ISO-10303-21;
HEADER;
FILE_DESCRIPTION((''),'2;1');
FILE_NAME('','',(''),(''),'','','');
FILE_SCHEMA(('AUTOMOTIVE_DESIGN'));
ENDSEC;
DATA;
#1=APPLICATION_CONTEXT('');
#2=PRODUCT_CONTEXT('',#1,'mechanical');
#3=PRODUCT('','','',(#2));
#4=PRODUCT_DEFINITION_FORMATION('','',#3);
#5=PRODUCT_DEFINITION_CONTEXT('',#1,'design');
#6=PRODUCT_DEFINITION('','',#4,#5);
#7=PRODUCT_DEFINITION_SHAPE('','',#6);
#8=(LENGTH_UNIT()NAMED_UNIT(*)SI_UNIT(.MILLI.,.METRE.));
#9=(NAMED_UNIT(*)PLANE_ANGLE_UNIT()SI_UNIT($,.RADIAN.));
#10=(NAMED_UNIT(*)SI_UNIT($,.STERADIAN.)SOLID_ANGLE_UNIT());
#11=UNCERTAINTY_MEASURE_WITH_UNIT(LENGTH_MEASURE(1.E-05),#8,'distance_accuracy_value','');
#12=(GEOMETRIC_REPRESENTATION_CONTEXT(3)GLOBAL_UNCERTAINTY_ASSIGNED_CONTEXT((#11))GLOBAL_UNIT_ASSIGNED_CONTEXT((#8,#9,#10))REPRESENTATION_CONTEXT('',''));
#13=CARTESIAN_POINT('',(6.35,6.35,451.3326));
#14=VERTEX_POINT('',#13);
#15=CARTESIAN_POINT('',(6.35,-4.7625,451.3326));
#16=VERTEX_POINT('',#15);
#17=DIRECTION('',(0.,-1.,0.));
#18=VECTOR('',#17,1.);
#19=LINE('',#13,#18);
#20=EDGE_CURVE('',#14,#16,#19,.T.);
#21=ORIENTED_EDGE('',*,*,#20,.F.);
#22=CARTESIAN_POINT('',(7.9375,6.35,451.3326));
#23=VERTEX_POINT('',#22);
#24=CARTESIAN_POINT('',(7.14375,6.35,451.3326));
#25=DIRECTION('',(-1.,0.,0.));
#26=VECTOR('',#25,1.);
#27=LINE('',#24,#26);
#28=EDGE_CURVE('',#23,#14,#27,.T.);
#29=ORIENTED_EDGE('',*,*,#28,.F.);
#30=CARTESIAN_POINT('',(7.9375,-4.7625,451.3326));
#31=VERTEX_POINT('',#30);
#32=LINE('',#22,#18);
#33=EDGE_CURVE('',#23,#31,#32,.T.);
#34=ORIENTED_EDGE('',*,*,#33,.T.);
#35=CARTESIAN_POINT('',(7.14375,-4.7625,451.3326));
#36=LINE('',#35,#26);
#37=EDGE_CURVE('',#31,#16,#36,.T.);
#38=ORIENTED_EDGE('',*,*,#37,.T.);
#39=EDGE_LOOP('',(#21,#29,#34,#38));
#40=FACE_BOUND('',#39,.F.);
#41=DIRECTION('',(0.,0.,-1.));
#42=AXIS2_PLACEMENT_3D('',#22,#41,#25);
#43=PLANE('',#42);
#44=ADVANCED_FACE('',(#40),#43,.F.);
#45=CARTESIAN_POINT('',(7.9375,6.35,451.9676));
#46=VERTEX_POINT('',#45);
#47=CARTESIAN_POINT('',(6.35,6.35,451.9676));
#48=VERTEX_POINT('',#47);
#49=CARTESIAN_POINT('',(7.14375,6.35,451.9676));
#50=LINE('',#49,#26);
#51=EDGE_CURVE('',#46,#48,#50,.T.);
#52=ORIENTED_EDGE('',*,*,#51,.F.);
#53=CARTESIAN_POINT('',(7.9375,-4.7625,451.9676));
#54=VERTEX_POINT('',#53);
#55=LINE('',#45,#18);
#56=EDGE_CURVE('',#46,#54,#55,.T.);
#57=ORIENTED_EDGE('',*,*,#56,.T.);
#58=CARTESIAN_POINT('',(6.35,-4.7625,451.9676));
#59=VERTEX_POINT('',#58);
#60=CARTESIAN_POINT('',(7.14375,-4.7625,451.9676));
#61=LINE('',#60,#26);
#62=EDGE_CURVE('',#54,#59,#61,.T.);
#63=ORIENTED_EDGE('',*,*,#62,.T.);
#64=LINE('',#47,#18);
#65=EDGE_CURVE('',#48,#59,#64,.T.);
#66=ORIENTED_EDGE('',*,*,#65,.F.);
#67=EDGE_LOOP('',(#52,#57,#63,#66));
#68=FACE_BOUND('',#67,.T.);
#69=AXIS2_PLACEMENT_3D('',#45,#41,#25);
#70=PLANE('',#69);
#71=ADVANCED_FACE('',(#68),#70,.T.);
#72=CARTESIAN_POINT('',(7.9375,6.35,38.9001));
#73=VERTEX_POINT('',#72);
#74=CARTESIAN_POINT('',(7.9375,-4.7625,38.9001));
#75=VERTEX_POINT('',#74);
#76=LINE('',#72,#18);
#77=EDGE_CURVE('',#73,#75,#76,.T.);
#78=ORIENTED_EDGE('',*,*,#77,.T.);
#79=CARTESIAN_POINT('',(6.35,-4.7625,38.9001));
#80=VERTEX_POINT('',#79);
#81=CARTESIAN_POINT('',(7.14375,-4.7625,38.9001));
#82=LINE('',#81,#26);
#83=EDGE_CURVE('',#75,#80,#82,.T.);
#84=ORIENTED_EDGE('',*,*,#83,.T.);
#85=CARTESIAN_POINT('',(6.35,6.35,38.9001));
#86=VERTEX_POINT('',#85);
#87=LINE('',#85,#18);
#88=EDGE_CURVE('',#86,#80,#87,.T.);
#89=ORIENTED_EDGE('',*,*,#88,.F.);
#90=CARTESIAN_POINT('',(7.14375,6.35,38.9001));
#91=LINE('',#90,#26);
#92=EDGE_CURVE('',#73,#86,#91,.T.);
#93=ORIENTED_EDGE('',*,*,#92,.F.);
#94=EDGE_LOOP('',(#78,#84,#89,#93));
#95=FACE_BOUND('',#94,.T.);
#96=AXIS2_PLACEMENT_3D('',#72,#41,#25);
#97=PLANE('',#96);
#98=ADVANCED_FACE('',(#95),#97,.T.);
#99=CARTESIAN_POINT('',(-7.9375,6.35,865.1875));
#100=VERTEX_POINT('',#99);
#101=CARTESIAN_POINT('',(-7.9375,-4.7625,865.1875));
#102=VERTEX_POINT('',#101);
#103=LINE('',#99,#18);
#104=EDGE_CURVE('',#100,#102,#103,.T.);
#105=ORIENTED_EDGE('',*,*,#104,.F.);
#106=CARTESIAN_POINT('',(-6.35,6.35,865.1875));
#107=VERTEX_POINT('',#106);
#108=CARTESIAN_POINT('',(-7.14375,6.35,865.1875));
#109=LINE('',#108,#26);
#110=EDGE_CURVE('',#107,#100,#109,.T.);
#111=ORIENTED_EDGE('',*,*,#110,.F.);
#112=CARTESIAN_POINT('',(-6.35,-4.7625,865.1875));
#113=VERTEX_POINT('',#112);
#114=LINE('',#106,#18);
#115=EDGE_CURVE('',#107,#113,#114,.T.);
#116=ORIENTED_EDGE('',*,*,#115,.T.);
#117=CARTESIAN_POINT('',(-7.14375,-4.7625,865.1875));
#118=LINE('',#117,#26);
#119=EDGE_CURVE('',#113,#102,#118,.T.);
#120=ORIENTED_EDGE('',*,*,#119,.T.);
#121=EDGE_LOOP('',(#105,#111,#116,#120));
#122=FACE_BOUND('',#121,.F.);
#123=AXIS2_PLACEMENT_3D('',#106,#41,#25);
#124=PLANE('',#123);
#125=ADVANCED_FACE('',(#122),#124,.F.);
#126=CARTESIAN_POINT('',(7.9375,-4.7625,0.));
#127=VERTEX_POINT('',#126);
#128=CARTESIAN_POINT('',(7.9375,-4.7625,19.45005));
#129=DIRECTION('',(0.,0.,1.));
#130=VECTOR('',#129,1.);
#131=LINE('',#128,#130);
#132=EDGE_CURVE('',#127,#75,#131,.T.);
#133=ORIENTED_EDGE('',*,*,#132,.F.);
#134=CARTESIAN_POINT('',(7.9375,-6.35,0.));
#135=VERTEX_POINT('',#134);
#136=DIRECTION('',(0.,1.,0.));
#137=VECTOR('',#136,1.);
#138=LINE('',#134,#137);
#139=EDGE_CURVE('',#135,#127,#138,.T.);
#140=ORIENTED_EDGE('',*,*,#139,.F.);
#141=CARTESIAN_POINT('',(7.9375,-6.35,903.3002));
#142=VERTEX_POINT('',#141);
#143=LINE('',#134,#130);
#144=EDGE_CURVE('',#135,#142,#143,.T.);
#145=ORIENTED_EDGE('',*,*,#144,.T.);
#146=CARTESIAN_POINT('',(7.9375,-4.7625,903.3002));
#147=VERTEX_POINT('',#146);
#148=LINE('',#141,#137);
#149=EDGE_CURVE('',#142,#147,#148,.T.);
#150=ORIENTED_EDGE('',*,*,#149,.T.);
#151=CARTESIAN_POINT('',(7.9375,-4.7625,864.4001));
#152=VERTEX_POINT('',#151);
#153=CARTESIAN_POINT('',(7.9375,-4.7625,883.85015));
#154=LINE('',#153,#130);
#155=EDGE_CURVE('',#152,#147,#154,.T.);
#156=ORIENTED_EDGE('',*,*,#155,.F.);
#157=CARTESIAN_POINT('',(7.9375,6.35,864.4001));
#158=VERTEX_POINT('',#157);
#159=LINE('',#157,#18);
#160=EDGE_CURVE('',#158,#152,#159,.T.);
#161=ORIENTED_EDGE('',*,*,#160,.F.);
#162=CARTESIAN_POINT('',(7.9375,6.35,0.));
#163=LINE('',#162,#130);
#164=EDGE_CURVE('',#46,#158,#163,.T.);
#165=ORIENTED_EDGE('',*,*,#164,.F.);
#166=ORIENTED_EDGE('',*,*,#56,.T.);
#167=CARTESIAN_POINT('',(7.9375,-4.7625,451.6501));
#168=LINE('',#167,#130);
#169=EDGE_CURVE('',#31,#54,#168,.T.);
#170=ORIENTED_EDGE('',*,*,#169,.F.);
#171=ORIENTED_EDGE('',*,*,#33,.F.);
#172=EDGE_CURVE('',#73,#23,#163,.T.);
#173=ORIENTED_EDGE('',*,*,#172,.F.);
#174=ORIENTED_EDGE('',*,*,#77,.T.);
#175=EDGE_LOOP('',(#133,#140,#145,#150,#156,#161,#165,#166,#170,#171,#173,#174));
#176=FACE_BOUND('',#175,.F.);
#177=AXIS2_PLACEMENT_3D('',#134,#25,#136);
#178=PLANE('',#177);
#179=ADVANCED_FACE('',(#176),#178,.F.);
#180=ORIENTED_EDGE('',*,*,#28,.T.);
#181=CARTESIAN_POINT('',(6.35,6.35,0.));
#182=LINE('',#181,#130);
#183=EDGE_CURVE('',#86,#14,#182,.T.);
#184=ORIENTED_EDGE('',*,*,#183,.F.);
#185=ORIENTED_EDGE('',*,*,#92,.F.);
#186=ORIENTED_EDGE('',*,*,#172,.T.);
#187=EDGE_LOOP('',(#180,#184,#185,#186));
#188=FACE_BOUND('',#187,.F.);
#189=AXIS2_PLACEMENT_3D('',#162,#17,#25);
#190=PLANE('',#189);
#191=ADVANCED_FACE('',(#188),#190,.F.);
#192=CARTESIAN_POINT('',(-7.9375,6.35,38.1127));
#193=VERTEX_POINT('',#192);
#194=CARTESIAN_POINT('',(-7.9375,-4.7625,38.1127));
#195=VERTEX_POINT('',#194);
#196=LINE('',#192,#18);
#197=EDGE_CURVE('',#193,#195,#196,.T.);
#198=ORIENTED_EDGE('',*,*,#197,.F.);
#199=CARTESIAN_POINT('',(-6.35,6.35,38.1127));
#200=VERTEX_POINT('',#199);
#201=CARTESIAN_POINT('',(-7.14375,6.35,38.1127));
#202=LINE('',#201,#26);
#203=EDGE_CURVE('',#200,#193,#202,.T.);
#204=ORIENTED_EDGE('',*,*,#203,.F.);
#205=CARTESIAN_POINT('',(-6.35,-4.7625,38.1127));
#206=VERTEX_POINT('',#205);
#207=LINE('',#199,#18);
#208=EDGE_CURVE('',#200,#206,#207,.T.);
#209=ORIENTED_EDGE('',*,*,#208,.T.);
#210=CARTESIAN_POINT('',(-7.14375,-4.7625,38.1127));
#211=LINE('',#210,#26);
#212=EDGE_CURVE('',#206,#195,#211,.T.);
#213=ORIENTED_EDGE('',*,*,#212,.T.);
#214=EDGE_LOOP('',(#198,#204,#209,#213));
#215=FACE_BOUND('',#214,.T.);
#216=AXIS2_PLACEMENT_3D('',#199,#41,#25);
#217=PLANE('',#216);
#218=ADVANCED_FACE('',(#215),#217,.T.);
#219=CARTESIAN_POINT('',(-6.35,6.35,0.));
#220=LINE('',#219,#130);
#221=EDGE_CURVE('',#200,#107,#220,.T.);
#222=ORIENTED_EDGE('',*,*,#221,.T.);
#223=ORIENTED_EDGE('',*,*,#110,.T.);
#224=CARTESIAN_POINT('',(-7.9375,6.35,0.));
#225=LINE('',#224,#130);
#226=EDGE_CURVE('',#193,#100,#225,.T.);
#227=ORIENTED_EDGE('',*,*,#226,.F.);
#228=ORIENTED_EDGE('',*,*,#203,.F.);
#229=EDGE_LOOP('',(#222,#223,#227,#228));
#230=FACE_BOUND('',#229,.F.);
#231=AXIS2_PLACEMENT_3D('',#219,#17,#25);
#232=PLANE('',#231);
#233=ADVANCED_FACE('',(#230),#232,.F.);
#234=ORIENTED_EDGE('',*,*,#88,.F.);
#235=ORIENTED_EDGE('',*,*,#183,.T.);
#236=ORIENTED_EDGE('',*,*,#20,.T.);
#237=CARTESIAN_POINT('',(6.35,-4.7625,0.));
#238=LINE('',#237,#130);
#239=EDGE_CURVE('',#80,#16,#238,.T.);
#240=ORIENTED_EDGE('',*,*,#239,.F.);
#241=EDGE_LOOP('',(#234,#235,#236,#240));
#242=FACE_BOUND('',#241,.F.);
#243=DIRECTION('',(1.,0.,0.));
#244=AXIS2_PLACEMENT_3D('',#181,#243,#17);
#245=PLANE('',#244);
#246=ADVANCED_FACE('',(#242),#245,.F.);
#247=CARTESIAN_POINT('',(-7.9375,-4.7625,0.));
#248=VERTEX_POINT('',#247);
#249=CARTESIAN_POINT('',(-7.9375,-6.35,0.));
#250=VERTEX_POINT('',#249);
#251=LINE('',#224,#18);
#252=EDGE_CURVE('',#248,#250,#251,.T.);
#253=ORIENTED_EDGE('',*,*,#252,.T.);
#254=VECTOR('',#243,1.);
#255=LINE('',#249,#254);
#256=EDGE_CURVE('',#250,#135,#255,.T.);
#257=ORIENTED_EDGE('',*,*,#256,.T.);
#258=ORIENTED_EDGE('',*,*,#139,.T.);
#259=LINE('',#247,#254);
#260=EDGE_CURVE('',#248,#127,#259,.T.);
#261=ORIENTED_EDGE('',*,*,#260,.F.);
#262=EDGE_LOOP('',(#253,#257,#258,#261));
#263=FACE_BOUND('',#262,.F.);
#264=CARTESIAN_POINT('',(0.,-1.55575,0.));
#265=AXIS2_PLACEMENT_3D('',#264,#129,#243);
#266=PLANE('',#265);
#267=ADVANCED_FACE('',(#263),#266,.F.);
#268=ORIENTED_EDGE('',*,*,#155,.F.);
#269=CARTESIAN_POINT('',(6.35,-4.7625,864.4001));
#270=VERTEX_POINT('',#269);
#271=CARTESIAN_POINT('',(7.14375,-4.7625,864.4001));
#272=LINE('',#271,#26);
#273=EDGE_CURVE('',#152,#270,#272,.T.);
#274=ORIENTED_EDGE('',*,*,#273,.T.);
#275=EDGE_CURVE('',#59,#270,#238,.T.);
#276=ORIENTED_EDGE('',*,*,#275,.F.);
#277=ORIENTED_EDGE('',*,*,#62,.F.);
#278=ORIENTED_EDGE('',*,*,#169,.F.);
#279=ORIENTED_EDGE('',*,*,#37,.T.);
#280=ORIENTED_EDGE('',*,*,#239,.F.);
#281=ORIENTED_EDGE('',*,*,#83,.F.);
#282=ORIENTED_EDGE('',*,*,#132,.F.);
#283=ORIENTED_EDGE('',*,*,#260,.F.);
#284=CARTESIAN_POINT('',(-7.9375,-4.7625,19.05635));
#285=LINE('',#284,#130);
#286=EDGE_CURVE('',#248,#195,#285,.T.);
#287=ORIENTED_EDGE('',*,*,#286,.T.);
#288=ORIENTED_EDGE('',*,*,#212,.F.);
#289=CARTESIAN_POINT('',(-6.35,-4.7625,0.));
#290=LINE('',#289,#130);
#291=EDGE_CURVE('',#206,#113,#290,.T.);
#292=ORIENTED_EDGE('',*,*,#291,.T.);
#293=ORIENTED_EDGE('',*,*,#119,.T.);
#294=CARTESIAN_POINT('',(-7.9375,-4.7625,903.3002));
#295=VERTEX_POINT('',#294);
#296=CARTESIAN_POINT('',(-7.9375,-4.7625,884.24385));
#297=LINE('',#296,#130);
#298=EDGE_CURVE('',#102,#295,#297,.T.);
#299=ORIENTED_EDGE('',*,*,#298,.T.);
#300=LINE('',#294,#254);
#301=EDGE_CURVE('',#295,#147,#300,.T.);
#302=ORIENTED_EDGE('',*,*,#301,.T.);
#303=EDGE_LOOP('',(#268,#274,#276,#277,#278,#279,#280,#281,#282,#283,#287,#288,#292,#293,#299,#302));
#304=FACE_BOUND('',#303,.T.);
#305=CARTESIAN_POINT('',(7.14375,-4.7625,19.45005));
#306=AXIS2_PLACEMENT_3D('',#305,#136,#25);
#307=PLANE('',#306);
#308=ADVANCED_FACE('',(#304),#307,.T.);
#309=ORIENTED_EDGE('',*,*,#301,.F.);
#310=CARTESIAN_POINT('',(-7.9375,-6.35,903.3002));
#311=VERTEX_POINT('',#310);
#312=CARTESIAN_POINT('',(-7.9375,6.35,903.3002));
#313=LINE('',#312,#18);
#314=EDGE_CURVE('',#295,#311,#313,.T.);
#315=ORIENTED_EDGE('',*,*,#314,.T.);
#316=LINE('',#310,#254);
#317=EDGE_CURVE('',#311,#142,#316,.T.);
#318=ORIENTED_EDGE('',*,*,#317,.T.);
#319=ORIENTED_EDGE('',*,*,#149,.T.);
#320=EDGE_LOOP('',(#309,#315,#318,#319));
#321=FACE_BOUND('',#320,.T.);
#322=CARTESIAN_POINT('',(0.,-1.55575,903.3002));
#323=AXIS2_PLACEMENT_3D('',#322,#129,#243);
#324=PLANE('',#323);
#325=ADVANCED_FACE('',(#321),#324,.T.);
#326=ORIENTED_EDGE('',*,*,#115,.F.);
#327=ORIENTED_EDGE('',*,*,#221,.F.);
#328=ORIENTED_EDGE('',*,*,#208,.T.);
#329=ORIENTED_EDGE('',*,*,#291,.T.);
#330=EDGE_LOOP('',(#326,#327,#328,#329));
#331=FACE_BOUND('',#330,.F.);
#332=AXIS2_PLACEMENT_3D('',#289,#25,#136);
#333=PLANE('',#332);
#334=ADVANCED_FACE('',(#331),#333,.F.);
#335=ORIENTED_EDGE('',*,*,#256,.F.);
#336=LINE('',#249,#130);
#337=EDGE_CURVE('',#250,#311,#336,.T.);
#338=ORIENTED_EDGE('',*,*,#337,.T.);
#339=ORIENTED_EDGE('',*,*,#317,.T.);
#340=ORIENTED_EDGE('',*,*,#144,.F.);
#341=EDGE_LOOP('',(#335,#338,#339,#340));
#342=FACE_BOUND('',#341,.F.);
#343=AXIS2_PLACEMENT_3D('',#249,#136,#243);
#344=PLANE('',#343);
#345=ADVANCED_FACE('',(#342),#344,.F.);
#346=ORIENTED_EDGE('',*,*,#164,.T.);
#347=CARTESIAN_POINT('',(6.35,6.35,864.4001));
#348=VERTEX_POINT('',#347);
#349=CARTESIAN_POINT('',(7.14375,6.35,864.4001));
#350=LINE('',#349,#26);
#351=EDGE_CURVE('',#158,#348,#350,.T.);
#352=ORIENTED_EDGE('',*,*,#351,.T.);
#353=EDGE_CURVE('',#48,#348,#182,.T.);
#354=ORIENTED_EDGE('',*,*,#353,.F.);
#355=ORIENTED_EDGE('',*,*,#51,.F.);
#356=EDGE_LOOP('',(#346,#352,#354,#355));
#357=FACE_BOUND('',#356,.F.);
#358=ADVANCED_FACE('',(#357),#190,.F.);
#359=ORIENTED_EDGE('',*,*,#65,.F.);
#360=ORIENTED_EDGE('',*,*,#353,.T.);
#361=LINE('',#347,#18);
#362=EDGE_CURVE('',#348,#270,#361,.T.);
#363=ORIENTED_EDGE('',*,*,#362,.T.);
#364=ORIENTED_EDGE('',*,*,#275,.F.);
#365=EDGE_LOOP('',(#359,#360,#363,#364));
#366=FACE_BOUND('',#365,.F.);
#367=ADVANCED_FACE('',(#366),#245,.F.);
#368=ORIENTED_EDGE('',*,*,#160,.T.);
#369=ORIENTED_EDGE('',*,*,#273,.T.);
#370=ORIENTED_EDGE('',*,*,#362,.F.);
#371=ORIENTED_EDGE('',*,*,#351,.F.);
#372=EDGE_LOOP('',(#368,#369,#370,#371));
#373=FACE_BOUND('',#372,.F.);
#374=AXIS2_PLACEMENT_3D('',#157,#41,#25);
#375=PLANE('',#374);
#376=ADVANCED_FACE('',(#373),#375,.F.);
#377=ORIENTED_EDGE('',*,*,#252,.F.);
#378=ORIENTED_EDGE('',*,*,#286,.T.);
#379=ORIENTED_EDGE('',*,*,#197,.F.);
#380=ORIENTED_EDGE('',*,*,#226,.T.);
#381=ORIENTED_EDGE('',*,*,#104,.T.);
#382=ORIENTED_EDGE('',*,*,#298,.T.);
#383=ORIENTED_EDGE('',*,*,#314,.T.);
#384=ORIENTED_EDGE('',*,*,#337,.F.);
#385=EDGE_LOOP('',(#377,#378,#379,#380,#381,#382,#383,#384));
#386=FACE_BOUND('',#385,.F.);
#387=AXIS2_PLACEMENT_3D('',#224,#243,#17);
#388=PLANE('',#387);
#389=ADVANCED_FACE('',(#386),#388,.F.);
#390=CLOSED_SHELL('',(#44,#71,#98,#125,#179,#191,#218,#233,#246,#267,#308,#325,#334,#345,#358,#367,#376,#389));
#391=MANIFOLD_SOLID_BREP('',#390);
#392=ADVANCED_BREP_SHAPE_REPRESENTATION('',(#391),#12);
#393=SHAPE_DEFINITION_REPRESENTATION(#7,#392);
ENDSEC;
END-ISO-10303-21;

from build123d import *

# Parameters (mm, degrees)
F1_DEPTH = 903.3002
F2_W     = 1.5875
F2_H     = 38.9001
F2_H_2   = 0.635
F3_DEPTH = 11.1125
F4_W     = 1.5875
F4_H     = 38.1127
F5_DEPTH = 11.1125


with BuildPart() as f1:
    # F0 (on Top) → F1 (new body)
    with BuildSketch(Plane.XY):
        Polygon((-6.35, -6.35), (6.35, -6.35), (7.9375, -6.35), (7.9375, 6.35), (6.35, 6.35), (6.35, -4.7625), (-6.35, -4.7625), (-6.35, 6.35), (-7.9375, 6.35), (-7.9375, -6.35), align=None)
    extrude(amount=F1_DEPTH)

    # F2 (on face) → F3 (cut)
    with BuildSketch(Plane(origin=(0, 6.35, 0), x_dir=(-1, 0, 0), z_dir=(0, 1, 0))):
        with Locations((-7.14375, 19.45005)):
            Rectangle(F2_W, F2_H)
        with Locations((-7.14375, 883.85015)):
            Rectangle(F2_W, F2_H)
        with Locations((-7.14375, 451.6501)):
            Rectangle(F2_W, F2_H_2)
    extrude(amount=-F3_DEPTH, mode=Mode.SUBTRACT)

    # F4 (on face) → F5 (cut)
    with BuildSketch(Plane(origin=(0, 6.35, 0), x_dir=(-1, 0, 0), z_dir=(0, 1, 0))):
        with Locations((7.14375, 19.05635)):
            Rectangle(F4_W, F4_H)
        with Locations((7.14375, 884.24385)):
            Rectangle(F4_W, F4_H)
    extrude(amount=-F5_DEPTH, mode=Mode.SUBTRACT)


solid = f1.part
